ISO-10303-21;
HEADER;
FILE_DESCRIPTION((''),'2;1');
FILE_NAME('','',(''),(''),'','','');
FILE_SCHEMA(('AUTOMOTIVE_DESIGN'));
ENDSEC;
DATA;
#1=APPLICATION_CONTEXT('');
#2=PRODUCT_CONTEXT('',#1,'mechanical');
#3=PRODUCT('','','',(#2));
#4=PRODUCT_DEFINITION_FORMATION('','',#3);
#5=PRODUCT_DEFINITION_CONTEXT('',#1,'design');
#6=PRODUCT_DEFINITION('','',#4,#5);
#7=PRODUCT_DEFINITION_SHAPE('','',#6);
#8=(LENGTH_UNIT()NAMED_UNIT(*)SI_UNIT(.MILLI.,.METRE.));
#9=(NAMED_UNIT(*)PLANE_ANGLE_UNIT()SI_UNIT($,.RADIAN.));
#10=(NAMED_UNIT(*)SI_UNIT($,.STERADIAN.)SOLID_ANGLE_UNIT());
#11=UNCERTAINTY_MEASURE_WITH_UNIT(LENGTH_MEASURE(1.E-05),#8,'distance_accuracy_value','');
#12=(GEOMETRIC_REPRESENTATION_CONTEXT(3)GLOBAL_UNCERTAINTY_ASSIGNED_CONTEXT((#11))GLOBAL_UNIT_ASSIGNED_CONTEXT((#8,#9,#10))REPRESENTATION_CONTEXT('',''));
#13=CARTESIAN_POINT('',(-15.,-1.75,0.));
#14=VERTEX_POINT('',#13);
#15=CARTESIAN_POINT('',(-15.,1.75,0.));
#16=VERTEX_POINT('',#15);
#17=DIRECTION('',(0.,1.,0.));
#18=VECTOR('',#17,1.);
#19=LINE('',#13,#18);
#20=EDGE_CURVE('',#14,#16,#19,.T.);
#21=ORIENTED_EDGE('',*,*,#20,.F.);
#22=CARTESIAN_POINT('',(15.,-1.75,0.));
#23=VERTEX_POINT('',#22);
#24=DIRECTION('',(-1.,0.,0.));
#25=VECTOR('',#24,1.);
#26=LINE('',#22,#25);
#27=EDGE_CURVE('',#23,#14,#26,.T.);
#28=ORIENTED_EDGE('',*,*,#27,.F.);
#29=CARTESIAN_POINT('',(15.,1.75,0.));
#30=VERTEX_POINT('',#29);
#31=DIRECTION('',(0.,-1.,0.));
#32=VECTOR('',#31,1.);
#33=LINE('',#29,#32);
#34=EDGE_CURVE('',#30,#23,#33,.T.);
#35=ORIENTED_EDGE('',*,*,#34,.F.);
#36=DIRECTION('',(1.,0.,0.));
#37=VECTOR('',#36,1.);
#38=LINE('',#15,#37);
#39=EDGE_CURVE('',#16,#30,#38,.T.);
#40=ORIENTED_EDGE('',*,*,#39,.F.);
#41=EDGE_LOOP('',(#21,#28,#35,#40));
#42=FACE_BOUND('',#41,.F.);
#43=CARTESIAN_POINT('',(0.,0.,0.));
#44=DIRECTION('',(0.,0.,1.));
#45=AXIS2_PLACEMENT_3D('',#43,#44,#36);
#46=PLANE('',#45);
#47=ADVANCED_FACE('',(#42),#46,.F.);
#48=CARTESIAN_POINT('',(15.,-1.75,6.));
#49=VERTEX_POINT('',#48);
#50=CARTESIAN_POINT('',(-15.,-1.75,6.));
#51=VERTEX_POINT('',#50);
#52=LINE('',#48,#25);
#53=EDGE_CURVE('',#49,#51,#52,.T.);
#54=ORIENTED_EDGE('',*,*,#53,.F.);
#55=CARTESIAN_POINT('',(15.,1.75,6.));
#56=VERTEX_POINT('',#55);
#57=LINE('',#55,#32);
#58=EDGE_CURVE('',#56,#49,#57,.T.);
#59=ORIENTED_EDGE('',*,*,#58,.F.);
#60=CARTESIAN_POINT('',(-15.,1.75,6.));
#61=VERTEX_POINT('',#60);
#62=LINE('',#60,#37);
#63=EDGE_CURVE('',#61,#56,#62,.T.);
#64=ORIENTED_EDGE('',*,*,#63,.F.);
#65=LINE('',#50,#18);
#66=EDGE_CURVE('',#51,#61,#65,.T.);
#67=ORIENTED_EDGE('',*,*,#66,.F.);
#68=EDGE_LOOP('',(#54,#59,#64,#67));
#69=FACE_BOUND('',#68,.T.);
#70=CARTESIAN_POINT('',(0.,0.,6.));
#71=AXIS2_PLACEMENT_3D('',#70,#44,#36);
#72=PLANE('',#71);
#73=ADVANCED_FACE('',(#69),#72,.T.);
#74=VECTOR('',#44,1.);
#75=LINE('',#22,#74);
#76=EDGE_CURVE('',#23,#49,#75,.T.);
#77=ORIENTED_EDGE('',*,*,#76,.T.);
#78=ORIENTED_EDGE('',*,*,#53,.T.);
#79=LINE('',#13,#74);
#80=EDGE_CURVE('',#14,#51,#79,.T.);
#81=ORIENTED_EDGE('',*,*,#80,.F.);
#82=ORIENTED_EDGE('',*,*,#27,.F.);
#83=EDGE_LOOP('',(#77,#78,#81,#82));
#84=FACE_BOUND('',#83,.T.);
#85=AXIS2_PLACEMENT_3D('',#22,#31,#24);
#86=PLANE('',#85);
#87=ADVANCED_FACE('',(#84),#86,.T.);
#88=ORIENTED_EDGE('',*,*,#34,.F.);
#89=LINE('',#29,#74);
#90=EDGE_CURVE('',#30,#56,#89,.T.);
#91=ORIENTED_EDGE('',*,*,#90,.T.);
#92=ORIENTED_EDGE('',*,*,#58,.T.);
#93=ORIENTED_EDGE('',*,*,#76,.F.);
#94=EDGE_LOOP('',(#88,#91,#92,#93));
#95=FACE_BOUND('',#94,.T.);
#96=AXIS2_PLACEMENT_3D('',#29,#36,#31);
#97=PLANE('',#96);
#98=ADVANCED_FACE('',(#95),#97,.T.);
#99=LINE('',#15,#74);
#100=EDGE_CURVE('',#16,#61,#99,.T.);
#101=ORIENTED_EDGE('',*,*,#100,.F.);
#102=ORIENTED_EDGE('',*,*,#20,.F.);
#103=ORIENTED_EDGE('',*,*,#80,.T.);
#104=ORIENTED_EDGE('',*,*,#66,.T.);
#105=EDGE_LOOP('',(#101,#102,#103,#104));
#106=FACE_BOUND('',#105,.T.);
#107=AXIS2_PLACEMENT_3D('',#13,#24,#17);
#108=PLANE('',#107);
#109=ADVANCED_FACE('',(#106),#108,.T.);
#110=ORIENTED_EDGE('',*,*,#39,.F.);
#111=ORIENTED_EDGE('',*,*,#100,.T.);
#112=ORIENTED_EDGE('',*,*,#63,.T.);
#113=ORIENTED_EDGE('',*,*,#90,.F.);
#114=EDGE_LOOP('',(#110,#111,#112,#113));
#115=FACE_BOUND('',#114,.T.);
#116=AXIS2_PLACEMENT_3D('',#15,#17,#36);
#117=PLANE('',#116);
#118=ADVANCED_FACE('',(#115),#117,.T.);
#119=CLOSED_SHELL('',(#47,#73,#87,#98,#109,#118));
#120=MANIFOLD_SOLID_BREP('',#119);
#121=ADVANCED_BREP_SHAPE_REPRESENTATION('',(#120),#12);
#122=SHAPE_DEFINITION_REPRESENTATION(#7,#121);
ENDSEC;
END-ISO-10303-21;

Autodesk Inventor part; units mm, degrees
ref_plane "YZ Plane" through (0, 0, 0) normal (1, 0, 0) x (0, 1, 0)
ref_plane "XZ Plane" through (0, 0, 0) normal (0, 1, 0) x (-1, 0, 0)
ref_plane "XY Plane" through (0, 0, 0) normal (0, 0, 1) x (1, 0, 0)
sketch "Sketch1" plane through (0, 0, 0) normal (0, 0, 1) x (1, 0, 0)
  line L0 (-15, 1.75) -> (15, 1.75)
  line L1 (15, 1.75) -> (15, -1.75)
  line L2 (15, -1.75) -> (-15, -1.75)
  line L3 (-15, -1.75) -> (-15, 1.75)
  line L4 (-15, 1.75) -> (15, -1.75) construction
  line L5 (15, 1.75) -> (-15, -1.75) construction
  point P0 (0, 0)
  dimension "d0" = 30
  dimension "d1" = 3.5
extrude "Extrusion1" add sketch "Sketch1" along normal blind 6
properties part number "top2"
